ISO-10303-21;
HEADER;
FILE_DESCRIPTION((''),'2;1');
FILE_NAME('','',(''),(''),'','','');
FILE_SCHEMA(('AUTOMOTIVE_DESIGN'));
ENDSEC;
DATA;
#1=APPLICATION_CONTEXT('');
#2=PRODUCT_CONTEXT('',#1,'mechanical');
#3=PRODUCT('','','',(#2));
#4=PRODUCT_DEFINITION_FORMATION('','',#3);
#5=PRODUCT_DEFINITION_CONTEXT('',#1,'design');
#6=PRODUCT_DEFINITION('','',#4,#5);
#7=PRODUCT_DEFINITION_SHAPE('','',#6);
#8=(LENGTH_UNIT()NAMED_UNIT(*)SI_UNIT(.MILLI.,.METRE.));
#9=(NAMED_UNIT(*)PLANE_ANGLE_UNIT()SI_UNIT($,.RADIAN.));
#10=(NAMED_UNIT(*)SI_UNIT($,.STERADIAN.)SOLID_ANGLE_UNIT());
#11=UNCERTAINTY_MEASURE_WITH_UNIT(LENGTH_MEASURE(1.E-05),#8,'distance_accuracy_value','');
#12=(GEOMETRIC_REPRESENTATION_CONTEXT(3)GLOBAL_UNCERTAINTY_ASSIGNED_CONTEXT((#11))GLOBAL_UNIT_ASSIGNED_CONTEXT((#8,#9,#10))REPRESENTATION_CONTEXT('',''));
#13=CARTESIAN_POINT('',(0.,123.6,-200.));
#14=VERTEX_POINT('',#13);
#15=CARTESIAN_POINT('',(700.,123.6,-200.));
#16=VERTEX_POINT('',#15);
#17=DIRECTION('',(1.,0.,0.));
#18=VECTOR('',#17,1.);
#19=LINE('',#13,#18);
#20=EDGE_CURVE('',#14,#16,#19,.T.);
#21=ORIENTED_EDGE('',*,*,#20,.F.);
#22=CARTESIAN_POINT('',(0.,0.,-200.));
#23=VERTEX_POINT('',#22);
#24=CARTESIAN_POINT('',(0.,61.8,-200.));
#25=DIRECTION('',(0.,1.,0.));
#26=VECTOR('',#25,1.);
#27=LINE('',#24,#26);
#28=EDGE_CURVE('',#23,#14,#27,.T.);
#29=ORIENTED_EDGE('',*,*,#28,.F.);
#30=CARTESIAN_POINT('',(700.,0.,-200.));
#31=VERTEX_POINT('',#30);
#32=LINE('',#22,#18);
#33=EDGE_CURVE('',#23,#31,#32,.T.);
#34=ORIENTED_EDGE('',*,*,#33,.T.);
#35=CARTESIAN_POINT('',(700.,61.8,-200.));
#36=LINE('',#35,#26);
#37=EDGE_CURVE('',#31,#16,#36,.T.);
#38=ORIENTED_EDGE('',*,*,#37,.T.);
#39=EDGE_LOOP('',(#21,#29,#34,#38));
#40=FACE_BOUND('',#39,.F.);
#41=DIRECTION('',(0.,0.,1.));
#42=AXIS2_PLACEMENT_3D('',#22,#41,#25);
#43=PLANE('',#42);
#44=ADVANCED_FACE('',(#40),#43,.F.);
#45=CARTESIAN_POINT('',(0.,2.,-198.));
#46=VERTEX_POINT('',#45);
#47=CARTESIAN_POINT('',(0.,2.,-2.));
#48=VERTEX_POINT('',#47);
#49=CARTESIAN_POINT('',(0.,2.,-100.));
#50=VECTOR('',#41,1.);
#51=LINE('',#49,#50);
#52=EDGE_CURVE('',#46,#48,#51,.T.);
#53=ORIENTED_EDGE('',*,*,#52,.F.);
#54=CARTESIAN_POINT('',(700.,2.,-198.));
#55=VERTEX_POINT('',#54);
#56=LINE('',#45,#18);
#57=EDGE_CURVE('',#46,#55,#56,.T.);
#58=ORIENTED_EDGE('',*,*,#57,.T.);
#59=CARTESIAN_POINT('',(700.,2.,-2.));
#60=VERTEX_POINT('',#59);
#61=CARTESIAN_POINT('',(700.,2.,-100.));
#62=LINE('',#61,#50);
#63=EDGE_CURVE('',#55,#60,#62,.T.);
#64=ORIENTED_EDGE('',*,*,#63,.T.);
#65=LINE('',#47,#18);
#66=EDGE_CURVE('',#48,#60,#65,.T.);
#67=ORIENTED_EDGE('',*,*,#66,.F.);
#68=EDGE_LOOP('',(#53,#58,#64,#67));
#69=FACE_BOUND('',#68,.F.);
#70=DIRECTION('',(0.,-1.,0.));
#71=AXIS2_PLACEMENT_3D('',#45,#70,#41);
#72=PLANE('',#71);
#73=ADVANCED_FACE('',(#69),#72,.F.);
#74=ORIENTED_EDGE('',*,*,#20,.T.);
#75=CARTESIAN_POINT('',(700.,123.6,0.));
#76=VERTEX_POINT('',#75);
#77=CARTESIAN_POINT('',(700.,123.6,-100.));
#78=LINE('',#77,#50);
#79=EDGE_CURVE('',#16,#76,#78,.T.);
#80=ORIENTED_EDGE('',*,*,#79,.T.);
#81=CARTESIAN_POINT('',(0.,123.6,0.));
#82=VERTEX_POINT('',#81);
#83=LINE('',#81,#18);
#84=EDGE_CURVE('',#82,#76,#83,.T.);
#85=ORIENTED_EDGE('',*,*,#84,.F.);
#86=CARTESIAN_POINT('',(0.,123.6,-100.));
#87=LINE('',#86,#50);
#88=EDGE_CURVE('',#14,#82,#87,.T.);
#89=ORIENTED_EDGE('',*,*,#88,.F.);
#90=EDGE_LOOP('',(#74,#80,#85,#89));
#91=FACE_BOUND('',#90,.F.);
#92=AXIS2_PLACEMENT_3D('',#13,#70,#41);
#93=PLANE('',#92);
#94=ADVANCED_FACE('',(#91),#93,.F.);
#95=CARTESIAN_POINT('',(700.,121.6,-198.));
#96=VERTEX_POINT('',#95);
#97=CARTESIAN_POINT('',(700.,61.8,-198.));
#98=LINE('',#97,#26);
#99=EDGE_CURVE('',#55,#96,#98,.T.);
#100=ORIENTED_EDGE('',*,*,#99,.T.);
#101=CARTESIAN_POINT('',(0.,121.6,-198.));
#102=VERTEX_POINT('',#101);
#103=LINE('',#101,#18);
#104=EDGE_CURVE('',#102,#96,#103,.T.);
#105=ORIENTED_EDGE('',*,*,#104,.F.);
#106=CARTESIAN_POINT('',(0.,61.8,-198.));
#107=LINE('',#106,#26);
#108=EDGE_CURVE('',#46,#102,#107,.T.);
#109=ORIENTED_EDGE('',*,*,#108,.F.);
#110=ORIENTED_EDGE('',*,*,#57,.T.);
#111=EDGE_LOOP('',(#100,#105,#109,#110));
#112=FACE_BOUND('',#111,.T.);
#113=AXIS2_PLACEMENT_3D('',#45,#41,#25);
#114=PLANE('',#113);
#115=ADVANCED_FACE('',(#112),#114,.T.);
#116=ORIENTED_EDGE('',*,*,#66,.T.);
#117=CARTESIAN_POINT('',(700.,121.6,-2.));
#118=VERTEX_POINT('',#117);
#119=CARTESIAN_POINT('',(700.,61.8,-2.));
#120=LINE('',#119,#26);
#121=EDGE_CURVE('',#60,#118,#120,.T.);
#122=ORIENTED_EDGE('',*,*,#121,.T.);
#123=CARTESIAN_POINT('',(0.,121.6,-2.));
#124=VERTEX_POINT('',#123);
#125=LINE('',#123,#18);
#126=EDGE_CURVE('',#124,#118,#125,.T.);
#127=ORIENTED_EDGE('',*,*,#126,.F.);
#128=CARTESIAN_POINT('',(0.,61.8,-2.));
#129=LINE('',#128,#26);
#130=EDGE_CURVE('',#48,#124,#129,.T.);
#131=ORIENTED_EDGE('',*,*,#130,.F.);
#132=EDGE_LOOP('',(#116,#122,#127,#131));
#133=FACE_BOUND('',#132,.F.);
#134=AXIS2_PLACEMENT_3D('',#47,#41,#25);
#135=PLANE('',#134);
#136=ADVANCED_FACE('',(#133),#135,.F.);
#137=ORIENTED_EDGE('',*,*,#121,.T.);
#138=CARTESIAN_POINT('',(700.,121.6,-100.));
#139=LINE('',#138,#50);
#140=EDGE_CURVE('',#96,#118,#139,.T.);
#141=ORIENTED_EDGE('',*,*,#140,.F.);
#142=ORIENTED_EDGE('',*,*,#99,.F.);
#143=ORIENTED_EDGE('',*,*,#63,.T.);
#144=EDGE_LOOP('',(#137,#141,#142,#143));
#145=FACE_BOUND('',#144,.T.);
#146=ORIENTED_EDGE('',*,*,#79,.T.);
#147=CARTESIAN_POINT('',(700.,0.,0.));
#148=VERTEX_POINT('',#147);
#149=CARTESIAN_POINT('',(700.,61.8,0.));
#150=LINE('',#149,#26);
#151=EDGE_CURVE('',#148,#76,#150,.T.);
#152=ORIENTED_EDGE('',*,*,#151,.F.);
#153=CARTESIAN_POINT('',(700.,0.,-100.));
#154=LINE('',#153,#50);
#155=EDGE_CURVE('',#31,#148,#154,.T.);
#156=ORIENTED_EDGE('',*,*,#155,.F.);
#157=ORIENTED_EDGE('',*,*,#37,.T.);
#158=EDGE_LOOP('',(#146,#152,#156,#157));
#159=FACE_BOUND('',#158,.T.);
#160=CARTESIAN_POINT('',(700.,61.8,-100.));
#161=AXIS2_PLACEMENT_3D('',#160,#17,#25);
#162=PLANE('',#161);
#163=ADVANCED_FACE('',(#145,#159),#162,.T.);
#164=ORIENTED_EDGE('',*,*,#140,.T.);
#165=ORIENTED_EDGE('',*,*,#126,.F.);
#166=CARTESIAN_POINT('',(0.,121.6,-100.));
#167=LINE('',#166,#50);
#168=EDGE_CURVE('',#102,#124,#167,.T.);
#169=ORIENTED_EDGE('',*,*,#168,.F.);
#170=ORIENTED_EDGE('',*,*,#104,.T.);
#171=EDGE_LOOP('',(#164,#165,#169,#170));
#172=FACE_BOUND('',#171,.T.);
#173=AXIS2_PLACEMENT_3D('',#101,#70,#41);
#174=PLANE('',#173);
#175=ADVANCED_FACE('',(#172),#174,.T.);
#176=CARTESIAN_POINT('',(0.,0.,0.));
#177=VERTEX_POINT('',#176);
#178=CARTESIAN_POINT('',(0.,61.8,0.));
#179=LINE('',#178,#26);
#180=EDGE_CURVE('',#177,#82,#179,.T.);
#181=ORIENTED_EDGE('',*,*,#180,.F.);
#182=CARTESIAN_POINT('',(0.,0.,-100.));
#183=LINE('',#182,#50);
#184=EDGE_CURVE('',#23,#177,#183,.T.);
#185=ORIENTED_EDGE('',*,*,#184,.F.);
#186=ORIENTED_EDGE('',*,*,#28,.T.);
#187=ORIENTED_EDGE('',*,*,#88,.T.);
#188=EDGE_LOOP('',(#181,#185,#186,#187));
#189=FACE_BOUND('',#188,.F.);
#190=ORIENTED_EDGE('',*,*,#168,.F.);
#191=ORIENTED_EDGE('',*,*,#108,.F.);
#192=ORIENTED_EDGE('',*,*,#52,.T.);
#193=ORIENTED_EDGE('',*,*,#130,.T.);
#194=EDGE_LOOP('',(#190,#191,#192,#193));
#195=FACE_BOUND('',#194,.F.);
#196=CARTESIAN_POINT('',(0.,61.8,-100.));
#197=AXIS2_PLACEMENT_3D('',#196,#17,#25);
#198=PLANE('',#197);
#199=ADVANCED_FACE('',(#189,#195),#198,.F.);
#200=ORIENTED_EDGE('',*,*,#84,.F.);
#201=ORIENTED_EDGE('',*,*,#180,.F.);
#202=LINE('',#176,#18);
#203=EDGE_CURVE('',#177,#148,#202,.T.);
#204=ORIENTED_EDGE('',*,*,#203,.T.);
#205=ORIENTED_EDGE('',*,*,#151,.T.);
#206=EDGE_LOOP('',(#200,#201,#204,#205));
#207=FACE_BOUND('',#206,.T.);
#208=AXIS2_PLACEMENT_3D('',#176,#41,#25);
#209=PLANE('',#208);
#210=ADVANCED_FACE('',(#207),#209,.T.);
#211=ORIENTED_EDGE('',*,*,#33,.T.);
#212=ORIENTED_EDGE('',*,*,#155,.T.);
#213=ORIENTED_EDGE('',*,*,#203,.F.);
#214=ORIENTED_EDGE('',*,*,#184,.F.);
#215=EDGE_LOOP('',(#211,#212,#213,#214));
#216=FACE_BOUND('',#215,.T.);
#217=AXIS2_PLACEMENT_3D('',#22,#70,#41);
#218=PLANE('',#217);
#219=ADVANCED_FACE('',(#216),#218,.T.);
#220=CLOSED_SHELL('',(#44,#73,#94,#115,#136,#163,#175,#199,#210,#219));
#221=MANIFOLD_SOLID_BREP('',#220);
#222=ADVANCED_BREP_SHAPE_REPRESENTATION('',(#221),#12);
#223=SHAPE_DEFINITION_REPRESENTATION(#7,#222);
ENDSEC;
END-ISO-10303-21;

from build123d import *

# Parameters (mm, degrees)
SKETCH_W   = 123.6
SKETCH_H   = 200
SKETCH_W_2 = 119.6
SKETCH_H_2 = 196
PAD_DEPTH  = 700


with BuildPart() as part:
    # Sketch → Pad (new body)
    with BuildSketch(Plane.YZ):
        with Locations((61.8, -100)):
            Rectangle(SKETCH_W, SKETCH_H)
        with Locations((61.8, -100)):
            Rectangle(SKETCH_W_2, SKETCH_H_2, mode=Mode.SUBTRACT)
    extrude(amount=PAD_DEPTH)


solid = part.part
